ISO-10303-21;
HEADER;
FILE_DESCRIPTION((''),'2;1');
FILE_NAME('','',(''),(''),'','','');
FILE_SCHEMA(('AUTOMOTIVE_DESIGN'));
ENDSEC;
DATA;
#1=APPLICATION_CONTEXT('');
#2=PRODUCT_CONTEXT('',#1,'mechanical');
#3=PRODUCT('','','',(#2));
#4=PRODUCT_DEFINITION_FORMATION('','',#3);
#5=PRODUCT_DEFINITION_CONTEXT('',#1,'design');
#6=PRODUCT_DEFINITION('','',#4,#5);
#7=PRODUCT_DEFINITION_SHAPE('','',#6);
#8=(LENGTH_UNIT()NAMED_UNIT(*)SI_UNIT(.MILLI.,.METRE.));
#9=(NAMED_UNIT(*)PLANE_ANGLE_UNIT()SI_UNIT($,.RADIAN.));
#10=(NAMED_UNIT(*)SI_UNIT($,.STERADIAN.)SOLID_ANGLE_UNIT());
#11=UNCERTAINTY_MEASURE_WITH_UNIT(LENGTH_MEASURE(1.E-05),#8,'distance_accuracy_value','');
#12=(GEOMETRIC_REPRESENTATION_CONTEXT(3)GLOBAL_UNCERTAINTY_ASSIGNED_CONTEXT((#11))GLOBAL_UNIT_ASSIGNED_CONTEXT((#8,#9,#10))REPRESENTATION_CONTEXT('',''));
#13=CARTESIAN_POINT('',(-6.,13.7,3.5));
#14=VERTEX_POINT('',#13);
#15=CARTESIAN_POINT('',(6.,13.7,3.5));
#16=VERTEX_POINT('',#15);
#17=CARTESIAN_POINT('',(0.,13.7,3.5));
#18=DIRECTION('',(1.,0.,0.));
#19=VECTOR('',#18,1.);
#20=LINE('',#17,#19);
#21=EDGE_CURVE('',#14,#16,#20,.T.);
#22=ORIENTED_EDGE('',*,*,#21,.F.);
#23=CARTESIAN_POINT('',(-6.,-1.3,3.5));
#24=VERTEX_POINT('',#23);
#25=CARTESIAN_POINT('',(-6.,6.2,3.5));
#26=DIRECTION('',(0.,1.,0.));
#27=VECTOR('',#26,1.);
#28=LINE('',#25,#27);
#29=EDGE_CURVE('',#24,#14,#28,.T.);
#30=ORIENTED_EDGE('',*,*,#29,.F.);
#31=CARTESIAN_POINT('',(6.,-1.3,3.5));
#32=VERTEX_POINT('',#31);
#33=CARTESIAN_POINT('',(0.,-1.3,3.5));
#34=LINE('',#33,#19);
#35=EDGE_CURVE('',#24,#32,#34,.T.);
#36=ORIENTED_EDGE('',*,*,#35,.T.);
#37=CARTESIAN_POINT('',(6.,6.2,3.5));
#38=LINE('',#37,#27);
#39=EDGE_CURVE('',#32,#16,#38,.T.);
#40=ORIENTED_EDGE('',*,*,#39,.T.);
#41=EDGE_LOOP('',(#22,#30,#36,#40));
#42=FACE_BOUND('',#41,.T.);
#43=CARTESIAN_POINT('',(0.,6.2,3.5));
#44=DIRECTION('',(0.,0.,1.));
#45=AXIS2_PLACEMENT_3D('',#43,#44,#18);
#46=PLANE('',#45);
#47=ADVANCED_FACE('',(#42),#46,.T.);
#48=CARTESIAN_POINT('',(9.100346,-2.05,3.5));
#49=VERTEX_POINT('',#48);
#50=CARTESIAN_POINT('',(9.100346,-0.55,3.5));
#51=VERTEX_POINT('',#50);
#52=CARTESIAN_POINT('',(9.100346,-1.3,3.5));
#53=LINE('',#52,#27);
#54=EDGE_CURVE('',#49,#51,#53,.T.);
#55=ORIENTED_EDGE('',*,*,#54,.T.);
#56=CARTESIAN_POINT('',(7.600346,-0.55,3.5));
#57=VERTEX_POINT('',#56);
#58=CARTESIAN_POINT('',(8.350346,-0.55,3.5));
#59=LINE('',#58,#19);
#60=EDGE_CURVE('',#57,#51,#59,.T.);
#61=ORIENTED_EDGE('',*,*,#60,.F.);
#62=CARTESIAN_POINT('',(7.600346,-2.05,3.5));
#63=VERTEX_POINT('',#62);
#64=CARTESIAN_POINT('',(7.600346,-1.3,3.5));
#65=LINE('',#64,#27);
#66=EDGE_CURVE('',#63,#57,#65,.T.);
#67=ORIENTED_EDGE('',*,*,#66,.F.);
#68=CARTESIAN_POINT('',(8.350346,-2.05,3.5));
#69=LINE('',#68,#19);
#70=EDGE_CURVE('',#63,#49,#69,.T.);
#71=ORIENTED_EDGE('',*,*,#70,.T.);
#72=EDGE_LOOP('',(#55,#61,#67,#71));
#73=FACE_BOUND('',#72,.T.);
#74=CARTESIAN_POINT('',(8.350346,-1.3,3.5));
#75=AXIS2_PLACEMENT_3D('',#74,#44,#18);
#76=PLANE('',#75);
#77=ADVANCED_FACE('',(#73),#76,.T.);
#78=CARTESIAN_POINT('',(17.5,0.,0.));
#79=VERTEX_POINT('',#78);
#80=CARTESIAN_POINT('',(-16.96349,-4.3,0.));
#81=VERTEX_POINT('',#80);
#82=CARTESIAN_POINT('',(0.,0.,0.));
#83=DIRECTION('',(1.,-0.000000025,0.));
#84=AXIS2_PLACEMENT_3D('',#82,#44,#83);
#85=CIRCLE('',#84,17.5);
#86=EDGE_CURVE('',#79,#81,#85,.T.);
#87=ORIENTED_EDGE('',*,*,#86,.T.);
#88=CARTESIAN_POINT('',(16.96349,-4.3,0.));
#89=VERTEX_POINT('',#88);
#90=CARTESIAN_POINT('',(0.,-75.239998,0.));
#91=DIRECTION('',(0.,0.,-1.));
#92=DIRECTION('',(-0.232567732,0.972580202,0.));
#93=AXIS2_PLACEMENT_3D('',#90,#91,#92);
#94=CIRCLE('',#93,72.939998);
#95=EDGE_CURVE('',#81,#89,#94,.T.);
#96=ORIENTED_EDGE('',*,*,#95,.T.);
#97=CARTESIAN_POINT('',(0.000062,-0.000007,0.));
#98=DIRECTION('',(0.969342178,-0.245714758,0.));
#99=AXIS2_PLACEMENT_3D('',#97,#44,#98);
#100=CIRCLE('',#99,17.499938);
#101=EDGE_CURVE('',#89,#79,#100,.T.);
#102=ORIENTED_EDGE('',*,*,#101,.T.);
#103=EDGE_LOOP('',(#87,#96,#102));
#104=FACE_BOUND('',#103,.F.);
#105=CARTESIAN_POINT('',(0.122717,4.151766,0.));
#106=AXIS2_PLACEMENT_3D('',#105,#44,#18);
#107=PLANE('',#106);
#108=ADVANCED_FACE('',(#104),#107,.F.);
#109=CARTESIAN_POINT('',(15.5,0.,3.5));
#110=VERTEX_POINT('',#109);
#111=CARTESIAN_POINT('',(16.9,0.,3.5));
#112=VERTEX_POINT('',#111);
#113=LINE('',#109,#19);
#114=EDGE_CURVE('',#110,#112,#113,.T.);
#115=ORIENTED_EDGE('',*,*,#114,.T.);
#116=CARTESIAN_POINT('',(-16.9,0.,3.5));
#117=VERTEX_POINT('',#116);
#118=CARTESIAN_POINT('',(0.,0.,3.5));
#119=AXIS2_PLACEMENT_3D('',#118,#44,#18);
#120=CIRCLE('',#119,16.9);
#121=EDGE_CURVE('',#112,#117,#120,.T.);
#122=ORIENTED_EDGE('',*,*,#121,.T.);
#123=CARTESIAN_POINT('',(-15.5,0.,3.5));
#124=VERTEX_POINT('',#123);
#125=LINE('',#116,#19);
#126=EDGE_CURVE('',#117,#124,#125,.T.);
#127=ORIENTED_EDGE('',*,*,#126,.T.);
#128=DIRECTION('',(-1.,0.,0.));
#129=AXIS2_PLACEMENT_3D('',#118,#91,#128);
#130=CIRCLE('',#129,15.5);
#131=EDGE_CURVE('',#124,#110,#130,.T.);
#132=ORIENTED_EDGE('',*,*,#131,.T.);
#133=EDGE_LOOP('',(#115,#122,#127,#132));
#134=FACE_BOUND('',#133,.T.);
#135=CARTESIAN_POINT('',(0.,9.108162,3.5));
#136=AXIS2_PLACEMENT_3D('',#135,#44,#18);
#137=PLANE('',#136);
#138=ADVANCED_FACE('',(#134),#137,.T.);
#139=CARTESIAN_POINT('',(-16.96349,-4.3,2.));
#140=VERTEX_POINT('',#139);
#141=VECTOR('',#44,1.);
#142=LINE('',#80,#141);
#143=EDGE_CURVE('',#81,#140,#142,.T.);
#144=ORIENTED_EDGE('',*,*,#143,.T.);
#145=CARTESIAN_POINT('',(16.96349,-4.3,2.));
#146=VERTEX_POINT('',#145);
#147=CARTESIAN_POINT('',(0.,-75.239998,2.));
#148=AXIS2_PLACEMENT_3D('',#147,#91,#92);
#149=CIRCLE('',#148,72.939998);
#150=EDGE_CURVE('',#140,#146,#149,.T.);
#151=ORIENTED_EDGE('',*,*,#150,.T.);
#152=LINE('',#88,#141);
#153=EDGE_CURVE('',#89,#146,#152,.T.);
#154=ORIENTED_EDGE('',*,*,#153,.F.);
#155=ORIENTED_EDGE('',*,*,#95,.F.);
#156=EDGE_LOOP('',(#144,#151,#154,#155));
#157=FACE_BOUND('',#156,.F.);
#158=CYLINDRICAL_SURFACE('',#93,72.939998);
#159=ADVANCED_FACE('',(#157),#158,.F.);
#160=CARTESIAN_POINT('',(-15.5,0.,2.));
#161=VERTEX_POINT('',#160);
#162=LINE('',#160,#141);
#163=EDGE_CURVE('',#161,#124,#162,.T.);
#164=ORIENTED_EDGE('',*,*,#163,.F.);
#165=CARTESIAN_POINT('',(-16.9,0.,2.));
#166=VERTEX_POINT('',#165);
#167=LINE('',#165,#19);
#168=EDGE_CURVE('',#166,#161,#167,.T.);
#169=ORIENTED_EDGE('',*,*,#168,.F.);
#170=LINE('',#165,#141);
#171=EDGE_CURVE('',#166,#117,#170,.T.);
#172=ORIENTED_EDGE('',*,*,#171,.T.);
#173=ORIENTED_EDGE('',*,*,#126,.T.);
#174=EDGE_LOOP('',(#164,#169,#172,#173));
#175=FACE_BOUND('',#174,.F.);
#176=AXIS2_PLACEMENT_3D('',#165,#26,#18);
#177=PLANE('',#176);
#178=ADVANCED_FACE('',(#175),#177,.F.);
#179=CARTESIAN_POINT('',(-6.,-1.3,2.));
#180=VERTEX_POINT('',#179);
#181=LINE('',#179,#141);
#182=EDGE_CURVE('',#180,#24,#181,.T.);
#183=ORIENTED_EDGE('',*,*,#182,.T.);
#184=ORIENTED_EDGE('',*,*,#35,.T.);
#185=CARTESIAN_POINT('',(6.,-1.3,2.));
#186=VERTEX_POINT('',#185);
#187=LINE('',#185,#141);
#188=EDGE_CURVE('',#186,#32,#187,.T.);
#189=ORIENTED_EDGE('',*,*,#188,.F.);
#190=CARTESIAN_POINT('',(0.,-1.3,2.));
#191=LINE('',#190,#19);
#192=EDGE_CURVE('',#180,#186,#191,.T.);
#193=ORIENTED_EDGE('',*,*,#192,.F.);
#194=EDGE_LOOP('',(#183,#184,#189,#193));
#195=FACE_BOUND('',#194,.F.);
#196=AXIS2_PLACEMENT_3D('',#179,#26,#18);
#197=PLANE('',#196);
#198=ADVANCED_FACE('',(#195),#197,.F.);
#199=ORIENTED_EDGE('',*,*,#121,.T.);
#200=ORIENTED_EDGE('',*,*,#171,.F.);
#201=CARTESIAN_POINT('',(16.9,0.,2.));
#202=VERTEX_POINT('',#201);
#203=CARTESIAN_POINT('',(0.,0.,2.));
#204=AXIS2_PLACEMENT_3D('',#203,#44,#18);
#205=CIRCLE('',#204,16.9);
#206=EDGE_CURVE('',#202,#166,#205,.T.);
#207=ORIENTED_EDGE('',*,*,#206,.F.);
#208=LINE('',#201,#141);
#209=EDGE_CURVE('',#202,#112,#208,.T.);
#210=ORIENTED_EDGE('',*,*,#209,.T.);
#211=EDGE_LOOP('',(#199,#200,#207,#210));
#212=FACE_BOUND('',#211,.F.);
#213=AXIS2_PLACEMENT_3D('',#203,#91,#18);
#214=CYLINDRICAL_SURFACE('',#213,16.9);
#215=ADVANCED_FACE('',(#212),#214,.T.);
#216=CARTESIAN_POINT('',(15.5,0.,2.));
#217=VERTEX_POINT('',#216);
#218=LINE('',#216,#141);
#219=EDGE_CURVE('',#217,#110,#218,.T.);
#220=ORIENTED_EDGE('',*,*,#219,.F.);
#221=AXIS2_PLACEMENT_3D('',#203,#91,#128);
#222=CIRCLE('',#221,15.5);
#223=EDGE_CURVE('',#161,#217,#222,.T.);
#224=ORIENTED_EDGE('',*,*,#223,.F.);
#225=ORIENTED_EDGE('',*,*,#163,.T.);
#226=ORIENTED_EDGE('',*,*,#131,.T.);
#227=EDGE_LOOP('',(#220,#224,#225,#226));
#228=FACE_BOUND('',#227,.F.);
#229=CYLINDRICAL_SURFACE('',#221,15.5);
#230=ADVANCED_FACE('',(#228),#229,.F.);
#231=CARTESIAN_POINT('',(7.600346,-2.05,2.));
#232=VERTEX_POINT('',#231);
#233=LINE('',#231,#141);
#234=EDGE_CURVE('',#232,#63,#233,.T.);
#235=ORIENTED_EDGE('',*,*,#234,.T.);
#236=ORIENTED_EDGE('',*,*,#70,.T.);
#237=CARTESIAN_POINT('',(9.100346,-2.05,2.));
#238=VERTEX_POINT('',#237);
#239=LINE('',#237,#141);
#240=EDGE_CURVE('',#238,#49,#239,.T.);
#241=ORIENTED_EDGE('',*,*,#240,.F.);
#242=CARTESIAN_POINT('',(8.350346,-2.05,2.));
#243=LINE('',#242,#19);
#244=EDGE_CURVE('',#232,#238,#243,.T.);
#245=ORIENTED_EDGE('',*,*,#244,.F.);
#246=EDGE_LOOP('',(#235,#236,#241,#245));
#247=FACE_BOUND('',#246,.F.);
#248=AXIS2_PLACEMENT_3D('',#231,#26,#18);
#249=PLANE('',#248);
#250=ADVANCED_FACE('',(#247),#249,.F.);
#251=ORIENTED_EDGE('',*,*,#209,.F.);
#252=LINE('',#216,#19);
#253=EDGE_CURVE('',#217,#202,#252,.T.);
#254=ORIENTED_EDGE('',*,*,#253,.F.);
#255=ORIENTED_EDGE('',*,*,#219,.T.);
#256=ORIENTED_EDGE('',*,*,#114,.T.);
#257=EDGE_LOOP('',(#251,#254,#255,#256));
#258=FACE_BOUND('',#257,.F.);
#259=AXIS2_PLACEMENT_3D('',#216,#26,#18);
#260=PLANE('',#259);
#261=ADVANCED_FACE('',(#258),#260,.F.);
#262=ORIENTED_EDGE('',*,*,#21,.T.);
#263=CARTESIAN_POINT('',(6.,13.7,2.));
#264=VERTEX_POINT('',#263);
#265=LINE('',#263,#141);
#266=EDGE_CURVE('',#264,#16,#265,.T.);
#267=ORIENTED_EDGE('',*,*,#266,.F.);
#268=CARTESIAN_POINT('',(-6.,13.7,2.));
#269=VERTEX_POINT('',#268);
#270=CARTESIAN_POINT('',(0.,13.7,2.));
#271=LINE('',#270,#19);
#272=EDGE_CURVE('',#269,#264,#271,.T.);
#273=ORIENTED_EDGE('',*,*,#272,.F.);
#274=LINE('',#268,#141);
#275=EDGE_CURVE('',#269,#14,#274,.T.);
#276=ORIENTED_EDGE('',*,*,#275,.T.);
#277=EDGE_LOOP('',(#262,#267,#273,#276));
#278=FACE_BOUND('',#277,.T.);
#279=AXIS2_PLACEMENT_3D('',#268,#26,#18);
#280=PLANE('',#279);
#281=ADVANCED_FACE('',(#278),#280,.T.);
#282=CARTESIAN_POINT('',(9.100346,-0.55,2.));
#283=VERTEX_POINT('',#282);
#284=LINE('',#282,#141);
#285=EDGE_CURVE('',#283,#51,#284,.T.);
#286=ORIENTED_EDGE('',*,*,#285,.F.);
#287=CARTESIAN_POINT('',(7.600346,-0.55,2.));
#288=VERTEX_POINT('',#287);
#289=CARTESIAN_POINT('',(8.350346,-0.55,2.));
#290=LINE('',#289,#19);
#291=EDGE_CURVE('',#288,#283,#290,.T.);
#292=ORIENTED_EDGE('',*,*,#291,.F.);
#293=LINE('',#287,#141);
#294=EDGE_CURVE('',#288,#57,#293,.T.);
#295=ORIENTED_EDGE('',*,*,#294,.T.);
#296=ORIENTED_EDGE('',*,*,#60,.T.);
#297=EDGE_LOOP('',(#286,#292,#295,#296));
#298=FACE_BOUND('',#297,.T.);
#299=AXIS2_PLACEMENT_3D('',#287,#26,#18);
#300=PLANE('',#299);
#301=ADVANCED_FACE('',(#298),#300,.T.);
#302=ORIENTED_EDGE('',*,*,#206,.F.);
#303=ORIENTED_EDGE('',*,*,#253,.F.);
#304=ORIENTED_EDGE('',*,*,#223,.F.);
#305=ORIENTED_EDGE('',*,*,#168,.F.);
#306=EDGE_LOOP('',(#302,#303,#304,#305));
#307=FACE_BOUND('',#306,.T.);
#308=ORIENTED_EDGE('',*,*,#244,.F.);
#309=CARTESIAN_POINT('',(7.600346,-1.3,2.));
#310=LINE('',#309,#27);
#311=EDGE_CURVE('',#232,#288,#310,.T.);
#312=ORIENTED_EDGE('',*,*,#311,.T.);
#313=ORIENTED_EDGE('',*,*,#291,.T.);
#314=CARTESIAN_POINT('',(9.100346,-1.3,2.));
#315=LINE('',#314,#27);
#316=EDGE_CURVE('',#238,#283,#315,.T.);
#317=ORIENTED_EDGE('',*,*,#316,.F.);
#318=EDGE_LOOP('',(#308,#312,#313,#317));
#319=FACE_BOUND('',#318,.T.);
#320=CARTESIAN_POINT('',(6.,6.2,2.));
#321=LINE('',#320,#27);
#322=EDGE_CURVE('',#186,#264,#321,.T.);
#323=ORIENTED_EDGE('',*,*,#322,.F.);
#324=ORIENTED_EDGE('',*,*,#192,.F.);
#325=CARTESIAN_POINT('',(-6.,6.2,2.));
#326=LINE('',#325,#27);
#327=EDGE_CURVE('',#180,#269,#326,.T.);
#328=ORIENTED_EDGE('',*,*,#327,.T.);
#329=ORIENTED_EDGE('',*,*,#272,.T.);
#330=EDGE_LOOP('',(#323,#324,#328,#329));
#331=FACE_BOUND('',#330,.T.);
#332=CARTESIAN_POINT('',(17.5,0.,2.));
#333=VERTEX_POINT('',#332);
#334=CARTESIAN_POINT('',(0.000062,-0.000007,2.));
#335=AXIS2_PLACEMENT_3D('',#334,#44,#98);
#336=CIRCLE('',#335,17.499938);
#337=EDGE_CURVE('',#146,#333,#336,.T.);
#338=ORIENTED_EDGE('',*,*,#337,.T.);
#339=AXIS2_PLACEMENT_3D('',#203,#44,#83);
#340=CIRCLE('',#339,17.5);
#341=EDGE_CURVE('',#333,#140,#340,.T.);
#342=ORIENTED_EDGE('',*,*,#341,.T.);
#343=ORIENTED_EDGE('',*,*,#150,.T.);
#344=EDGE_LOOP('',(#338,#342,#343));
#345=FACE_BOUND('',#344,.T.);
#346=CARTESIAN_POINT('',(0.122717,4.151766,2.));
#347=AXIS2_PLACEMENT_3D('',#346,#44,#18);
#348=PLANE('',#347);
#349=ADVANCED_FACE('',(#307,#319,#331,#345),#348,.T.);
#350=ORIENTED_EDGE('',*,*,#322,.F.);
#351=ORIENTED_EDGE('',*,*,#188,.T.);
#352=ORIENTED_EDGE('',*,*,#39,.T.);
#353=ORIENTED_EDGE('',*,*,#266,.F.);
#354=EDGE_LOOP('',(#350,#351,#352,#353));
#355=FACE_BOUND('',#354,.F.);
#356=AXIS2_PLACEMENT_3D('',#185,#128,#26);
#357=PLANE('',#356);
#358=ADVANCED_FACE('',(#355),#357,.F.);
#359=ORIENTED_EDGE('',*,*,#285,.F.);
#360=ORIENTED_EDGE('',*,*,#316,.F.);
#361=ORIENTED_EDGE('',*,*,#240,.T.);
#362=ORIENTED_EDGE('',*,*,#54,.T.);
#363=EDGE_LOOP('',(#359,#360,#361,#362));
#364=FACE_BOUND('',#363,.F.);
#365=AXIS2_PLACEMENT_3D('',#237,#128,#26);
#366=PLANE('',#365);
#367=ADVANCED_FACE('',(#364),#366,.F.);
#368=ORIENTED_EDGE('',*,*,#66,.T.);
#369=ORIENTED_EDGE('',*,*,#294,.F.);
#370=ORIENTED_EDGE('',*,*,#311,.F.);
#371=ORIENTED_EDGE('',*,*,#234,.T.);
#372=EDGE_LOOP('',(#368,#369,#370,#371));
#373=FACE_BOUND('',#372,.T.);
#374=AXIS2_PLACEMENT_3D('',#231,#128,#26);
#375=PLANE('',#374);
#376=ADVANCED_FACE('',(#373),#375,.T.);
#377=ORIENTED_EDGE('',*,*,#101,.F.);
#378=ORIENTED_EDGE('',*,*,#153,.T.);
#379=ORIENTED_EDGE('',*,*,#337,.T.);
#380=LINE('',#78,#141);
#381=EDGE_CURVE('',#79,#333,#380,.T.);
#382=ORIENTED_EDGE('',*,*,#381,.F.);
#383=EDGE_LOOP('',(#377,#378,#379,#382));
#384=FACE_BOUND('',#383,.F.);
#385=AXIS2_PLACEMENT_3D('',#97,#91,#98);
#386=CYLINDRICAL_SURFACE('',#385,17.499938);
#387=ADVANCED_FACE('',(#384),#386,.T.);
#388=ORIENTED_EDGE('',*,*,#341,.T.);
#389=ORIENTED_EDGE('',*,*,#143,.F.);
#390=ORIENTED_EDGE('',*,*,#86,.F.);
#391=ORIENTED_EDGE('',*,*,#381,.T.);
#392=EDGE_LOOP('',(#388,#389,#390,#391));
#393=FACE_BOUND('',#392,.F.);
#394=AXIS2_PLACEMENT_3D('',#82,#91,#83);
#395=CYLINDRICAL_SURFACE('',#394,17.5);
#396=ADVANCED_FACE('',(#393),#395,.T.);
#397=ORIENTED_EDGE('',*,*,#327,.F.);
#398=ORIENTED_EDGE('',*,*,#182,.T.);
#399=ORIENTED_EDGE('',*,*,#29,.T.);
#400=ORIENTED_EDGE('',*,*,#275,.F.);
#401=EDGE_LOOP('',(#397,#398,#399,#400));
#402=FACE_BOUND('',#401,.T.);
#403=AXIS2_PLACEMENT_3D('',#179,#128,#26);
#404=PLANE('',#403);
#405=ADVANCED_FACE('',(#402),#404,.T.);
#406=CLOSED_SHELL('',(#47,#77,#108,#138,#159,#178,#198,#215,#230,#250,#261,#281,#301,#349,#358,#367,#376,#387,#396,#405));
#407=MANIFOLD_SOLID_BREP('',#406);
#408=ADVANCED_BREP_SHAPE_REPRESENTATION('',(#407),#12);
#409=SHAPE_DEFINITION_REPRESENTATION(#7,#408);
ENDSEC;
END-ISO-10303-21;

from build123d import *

# Parameters (mm, degrees)
F1_DEPTH = 2
F2_W     = 12
F2_H     = 15
F2_W_2   = 1.5
F2_H_2   = 1.5
F3_DEPTH = 1.5


with BuildPart() as f1:
    # F0 (on Top) → F1 (new body)
    with BuildSketch(Plane.XY):
        with BuildLine():
            ThreePointArc((16.96349, -4.3), (17.365355, -2.16667), (17.5, 0))
            ThreePointArc((17.5, 0), (-2.16667, 17.365355), (-16.96349, -4.3))
            ThreePointArc((-16.96349, -4.3), (0, -2.3), (16.96349, -4.3))
        make_face()
    extrude(amount=F1_DEPTH)

    # F2 (on face) → F3 (join)
    with BuildSketch(Plane.XY.offset(2)):
        with Locations((0, 6.2)):
            Rectangle(F2_W, F2_H)
        with BuildLine():
            Line((15.5, 0), (16.9, 0))
            ThreePointArc((16.9, 0), (0, 16.9), (-16.9, 0))
            Line((-16.9, 0), (-15.5, 0))
            ThreePointArc((-15.5, 0), (0, 15.5), (15.5, 0))
        make_face()
        with Locations((8.350346, -1.3)):
            Rectangle(F2_W_2, F2_H_2)
    extrude(amount=F3_DEPTH)


solid = f1.part
